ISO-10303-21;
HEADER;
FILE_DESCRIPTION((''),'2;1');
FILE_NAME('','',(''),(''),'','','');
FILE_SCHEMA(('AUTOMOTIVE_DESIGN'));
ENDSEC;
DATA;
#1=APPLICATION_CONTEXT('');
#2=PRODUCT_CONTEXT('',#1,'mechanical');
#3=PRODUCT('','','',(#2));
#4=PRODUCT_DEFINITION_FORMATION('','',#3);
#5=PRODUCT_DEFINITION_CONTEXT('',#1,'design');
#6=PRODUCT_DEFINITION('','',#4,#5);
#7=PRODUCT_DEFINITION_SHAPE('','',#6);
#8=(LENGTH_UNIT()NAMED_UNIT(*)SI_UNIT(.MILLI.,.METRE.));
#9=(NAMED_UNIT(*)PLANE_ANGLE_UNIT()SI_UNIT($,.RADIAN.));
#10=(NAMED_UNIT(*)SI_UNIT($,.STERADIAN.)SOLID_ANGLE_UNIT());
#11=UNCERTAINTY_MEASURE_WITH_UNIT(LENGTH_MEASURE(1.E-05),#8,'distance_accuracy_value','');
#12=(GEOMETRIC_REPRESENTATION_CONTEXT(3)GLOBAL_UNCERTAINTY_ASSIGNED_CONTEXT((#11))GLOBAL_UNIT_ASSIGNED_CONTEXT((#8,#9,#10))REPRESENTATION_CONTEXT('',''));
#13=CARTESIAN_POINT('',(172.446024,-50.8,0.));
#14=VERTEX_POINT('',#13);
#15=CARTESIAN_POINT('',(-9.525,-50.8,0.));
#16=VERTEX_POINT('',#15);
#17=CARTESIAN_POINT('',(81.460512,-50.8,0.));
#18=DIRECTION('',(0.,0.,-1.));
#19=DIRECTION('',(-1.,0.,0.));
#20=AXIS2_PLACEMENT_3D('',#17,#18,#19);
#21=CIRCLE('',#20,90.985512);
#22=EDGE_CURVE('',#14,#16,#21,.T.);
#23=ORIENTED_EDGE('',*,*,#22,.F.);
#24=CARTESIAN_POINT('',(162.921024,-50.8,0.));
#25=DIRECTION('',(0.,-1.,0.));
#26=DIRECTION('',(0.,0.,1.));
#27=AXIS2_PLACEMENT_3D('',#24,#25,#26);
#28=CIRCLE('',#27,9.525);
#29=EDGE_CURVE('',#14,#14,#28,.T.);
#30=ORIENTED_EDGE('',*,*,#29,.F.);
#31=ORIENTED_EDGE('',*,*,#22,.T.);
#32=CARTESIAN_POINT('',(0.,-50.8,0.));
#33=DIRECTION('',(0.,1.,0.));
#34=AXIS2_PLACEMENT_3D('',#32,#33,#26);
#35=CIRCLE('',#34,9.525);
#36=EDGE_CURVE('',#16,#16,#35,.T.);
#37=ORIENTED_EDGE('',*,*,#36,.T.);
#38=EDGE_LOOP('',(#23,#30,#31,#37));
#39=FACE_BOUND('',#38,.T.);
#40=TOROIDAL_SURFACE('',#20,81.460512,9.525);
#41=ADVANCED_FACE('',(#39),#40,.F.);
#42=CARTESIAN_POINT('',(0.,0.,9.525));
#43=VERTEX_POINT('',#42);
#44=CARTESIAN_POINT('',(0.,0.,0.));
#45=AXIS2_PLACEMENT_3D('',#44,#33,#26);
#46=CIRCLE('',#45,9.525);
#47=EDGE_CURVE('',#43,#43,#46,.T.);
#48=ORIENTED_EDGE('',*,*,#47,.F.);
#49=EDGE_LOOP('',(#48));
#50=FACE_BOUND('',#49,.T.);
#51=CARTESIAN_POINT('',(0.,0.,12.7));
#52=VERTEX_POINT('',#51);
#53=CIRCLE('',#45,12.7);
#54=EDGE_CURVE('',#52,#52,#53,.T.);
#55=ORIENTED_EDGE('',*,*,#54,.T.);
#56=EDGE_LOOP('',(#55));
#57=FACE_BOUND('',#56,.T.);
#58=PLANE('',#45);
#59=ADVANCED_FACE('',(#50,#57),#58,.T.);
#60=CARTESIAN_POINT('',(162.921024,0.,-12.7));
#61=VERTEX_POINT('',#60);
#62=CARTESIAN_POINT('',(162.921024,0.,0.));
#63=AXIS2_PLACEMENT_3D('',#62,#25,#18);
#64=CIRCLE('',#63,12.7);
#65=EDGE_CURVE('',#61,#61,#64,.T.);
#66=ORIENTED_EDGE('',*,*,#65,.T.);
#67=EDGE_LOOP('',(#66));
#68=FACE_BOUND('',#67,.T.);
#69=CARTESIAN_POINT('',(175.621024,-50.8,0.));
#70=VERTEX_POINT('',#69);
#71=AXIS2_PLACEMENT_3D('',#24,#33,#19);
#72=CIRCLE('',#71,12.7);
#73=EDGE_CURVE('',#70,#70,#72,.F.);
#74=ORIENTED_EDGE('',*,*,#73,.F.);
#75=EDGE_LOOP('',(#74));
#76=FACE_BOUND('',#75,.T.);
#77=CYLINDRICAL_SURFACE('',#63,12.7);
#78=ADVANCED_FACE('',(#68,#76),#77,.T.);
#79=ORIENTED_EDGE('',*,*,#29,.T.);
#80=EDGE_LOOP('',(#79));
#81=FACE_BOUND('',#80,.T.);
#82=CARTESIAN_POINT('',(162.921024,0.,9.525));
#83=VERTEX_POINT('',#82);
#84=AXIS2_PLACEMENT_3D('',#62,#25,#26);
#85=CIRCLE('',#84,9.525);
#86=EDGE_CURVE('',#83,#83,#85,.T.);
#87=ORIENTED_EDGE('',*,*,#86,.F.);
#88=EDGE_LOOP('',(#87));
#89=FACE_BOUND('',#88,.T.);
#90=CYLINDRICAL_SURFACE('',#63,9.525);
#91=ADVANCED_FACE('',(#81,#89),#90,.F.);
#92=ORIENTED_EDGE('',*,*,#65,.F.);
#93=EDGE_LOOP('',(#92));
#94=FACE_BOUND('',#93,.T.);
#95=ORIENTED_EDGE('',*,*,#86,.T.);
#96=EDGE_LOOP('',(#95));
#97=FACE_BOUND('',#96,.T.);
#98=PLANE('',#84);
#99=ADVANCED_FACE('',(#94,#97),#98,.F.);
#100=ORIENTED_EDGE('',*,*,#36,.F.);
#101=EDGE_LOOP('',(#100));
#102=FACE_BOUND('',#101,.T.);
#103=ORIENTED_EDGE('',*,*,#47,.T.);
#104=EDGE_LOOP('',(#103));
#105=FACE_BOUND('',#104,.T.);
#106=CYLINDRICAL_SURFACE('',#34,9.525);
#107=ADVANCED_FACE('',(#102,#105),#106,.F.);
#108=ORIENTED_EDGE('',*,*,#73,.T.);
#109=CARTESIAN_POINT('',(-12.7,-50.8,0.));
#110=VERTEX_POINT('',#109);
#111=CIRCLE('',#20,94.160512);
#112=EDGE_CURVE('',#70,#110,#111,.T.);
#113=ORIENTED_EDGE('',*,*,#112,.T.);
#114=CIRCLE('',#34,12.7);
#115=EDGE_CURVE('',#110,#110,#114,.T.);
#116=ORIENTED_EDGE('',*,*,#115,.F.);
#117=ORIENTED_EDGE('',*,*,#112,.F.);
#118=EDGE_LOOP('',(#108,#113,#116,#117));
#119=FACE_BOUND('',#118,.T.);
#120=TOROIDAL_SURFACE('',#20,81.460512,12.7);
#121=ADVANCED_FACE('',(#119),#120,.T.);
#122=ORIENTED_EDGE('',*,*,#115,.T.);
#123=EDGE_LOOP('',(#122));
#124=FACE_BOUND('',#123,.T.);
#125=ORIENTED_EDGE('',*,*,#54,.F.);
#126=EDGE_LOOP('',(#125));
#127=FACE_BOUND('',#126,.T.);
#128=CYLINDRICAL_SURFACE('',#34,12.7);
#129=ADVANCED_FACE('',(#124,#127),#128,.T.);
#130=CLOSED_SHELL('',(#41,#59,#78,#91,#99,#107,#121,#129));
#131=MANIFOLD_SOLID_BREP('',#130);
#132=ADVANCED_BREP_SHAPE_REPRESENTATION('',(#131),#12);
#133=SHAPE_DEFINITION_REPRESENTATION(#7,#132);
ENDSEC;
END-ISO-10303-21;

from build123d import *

# Parameters (mm, degrees)
SKETCH2_R   = 12.7
SKETCH2_R_2 = 9.525


with BuildPart() as part:
    # Sweep-Thin1: sweep along a path in Sketch1
    with BuildLine(Plane.XY) as sweep_thin1_path:
        Line((0, 0), (0, -50.8))
        ThreePointArc((0, -50.8), (81.460512212, -132.260512212), (162.921024424, -50.8))
        Line((162.921024424, -50.8), (162.921024424, 0))
    # Sketch2 → Sweep-Thin1 (sweep)
    with BuildSketch(Plane(origin=(0, 0, 0), x_dir=(1, 0, 0), z_dir=(0, 1, 0))):
        Circle(SKETCH2_R)
        Circle(SKETCH2_R_2, mode=Mode.SUBTRACT)
    sweep(path=sweep_thin1_path.line)


solid = part.part
